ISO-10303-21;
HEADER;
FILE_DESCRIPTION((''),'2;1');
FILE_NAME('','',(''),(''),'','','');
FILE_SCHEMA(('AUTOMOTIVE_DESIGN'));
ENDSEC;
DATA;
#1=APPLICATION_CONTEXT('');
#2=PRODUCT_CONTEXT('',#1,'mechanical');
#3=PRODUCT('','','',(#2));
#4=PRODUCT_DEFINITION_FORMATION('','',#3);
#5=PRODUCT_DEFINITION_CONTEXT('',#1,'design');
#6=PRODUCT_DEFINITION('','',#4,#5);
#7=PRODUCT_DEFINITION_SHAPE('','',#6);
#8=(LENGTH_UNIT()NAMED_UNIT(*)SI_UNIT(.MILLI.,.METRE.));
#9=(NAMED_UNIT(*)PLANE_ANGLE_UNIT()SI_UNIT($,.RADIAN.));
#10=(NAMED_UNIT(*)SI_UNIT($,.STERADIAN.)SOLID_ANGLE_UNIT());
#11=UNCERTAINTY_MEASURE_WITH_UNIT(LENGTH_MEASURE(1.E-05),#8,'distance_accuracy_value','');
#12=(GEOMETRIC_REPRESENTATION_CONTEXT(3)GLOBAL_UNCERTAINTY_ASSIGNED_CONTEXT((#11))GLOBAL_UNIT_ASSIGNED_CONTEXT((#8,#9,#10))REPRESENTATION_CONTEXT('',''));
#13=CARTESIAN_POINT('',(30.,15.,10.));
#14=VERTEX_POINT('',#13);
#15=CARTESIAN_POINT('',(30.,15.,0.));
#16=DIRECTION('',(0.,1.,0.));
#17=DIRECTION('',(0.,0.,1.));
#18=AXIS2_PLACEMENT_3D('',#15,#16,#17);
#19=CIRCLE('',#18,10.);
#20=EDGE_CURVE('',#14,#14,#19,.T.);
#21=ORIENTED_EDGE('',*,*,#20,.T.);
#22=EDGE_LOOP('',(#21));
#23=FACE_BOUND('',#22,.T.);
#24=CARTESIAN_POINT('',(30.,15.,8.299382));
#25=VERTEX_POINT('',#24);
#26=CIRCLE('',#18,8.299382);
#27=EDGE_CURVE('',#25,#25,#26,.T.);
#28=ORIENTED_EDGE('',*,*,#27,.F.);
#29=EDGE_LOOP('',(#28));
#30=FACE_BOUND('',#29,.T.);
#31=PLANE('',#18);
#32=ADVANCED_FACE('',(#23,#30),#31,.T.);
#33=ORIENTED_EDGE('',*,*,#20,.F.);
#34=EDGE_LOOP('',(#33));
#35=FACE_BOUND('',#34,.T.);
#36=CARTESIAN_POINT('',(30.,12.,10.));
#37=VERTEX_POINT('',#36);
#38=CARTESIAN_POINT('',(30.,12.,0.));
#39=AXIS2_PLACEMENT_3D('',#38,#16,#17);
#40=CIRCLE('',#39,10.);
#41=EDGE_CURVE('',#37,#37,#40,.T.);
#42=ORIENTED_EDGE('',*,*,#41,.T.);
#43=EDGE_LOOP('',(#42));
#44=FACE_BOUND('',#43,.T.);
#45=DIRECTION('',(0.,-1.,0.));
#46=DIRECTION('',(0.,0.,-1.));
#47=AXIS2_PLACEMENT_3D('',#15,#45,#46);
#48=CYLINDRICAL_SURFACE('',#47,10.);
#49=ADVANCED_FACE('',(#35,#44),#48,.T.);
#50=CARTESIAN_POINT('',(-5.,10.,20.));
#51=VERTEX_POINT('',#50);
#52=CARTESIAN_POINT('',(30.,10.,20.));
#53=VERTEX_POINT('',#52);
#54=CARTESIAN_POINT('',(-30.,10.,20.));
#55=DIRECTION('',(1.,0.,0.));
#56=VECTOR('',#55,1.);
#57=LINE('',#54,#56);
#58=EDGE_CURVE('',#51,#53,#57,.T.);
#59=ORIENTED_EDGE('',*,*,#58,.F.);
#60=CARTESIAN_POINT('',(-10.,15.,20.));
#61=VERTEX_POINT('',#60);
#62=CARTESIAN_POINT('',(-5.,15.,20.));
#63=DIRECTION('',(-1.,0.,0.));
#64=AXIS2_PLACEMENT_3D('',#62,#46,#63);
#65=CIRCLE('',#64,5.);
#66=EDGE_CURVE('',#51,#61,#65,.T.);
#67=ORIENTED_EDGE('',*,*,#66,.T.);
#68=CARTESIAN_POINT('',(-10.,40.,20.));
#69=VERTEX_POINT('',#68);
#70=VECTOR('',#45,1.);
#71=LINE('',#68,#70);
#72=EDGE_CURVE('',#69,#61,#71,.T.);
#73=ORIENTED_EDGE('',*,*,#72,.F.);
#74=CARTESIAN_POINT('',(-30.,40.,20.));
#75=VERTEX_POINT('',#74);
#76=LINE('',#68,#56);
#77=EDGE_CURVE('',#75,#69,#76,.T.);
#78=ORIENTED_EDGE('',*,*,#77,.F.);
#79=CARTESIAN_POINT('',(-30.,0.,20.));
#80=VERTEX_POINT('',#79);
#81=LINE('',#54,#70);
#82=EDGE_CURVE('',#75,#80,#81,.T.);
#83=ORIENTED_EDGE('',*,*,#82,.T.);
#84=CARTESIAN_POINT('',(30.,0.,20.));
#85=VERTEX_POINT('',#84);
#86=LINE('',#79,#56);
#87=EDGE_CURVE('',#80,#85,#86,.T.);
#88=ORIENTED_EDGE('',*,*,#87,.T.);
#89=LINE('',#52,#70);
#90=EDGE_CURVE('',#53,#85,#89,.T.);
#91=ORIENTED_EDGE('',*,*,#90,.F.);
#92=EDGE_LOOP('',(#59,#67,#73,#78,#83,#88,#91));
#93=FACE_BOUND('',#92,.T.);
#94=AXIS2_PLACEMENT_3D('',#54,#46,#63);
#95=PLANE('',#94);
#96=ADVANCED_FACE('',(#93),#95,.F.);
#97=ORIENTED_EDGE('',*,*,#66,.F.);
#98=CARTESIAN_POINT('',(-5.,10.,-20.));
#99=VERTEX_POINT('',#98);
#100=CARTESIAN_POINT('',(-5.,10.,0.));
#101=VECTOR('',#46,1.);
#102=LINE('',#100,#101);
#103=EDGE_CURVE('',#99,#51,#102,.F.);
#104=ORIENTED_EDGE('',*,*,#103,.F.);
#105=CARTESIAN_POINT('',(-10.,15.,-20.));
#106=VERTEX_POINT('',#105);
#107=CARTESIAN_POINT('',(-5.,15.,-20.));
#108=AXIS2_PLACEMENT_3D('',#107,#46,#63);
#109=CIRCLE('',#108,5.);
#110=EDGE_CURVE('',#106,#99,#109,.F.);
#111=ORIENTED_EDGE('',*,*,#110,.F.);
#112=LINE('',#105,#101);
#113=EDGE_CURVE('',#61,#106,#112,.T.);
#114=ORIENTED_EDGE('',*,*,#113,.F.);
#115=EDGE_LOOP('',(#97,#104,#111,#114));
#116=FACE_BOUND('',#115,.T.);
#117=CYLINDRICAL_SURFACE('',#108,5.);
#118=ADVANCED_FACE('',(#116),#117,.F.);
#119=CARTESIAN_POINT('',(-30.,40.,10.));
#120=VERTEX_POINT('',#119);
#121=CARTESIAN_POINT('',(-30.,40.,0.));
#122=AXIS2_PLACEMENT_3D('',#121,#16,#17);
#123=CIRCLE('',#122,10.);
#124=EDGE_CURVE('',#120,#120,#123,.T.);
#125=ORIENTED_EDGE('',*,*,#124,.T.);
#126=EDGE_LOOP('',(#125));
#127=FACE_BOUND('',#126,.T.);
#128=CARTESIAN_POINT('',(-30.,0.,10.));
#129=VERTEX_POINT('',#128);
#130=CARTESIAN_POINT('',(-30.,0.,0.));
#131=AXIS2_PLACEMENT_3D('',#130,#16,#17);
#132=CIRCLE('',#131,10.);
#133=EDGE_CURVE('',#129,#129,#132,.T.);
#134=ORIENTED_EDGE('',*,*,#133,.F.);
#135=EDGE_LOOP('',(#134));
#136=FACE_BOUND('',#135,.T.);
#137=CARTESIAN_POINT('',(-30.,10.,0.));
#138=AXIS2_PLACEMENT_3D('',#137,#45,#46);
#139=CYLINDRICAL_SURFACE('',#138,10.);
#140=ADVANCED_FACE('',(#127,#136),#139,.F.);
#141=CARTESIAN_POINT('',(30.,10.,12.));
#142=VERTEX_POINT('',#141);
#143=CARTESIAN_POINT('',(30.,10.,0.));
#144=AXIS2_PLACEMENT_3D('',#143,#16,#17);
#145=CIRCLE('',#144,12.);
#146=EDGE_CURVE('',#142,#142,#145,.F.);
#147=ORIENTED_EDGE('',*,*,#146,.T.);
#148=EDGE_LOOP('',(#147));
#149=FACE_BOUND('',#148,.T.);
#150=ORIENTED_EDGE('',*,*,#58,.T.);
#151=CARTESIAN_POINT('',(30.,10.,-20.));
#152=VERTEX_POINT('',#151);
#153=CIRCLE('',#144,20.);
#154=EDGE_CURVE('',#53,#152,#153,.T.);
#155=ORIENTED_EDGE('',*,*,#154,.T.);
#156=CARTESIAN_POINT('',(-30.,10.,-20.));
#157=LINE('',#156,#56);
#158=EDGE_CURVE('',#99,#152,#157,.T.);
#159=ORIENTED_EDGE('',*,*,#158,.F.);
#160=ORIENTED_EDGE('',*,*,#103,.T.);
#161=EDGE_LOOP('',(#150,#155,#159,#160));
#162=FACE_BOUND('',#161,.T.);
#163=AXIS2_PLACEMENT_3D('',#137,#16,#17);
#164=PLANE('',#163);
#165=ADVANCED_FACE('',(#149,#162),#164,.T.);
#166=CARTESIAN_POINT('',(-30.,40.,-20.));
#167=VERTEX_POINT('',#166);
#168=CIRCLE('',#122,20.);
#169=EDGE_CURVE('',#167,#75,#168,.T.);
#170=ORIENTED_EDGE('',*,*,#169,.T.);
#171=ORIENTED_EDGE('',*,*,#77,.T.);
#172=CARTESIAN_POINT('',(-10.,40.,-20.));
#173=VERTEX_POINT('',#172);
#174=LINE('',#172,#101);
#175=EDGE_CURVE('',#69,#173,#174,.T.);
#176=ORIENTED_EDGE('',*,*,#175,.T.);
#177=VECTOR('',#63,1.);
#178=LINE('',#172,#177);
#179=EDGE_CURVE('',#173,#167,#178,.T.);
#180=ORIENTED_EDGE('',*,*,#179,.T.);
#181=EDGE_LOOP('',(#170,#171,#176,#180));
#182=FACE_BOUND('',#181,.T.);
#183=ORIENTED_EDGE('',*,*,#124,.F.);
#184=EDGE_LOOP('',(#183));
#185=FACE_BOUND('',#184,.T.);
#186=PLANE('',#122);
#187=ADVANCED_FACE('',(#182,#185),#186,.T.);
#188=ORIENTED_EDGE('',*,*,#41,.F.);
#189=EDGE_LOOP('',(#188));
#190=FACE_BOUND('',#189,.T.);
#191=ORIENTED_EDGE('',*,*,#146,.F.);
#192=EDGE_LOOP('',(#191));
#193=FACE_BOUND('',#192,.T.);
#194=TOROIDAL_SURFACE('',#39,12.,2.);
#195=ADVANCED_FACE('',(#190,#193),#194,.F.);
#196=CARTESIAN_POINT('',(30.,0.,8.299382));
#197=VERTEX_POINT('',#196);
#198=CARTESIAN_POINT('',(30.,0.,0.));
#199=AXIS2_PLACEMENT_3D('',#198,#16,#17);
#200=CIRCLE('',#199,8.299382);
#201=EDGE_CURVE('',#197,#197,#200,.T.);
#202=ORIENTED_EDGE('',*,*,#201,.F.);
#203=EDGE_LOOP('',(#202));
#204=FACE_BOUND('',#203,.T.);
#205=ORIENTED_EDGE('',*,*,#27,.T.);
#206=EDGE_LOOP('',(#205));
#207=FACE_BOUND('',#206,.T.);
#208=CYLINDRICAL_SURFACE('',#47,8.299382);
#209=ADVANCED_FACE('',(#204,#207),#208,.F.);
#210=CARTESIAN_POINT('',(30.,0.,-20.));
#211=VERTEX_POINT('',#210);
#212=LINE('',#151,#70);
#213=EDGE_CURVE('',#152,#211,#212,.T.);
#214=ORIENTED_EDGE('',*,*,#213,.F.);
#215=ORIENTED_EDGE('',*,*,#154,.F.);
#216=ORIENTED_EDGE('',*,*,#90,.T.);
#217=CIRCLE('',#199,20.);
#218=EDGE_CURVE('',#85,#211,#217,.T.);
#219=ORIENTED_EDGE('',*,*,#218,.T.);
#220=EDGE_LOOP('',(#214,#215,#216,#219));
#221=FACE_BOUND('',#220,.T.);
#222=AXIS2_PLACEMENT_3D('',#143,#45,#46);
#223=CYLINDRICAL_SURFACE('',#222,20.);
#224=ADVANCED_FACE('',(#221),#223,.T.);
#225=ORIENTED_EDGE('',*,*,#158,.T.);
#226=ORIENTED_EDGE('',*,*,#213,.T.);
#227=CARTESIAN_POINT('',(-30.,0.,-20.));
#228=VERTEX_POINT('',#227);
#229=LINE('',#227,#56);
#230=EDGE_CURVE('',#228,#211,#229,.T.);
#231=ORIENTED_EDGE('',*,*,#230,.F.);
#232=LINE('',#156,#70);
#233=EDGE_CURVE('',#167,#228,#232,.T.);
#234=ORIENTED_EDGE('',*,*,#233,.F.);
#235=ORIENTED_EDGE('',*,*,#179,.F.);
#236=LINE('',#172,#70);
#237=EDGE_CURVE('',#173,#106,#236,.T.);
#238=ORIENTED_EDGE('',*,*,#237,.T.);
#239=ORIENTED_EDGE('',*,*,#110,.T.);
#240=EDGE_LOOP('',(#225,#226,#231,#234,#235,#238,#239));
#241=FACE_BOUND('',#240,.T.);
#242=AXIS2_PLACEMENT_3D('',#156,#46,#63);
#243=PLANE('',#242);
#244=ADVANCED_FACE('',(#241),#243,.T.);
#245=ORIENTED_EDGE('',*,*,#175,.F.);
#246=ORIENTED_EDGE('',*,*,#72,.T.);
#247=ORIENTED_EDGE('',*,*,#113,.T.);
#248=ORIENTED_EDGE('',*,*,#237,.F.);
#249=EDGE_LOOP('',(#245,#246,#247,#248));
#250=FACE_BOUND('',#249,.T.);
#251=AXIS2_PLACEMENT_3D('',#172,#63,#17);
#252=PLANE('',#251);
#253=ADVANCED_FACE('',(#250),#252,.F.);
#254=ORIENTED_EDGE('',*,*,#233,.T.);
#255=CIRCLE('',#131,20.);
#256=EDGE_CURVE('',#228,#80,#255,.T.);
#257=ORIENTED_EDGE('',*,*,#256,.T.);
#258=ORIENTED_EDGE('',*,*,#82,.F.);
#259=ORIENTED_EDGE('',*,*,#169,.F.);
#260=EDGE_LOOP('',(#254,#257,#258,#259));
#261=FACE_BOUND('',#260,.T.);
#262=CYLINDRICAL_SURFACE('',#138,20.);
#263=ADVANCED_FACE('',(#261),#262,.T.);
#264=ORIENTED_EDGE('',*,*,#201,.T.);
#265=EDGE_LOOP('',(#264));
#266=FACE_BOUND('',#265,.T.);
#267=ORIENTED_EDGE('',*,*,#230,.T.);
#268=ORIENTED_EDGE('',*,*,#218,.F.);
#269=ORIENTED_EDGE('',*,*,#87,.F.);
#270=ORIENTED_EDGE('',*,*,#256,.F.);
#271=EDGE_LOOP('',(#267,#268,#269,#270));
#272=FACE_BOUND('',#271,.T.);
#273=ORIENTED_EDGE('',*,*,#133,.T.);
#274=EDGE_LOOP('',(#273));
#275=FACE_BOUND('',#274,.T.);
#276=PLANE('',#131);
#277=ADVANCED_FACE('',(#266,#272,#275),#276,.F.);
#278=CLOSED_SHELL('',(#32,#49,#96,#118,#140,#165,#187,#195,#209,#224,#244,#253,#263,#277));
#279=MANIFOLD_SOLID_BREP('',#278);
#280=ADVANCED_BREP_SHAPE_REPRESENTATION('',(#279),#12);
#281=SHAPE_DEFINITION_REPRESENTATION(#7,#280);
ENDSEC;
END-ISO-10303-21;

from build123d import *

# Parameters (mm, degrees)
SKETCH1_R           = 10
BOSS_EXTRUDE1_DEPTH = 10
SKETCH2_R           = 10
BOSS_EXTRUDE2_DEPTH = 30
SKETCH1_3_R         = 10
SKETCH1_3_R_2       = 8.299382461
BOSS_EXTRUDE3_DEPTH = 15
FILLET1_R           = 2
FILLET2_R           = 5


with BuildPart() as part:
    # Sketch1 → Boss-Extrude1 (new body)
    with BuildSketch(Plane(origin=(0, 0, 0), x_dir=(1, 0, 0), z_dir=(0, 1, 0))):
        with BuildLine():
            Line((-30, 20), (30, 20))
            ThreePointArc((30, 20), (50, 0), (30, -20))
            Line((30, -20), (-30, -20))
            ThreePointArc((-30, -20), (-50, 0), (-30, 20))
        make_face()
        with Locations((-30, 0)):
            Circle(SKETCH1_R, mode=Mode.SUBTRACT)
        with Locations((30, 0)):
            Circle(SKETCH1_R, mode=Mode.SUBTRACT)
    extrude(amount=BOSS_EXTRUDE1_DEPTH)

    # Sketch2 → Boss-Extrude2 (add)
    with BuildSketch(Plane(origin=(0, 10, 0), x_dir=(1, 0, 0), z_dir=(0, 1, 0))):
        with BuildLine():
            Line((-10, -20), (-30, -20))
            ThreePointArc((-30, -20), (-50, 0), (-30, 20))
            Line((-30, 20), (-10, 20))
            Line((-10, 20), (-10, -20))
        make_face()
        with Locations((-30, 0)):
            Circle(SKETCH2_R, mode=Mode.SUBTRACT)
    extrude(amount=BOSS_EXTRUDE2_DEPTH)

    # Sketch1<3> → Boss-Extrude3 (add)
    with BuildSketch(Plane(origin=(0, 0, 0), x_dir=(1, 0, 0), z_dir=(0, 1, 0))):
        with Locations((30, 0)):
            Circle(SKETCH1_3_R)
        with Locations((30, 0)):
            Circle(SKETCH1_3_R_2, mode=Mode.SUBTRACT)
    extrude(amount=BOSS_EXTRUDE3_DEPTH)

    # Fillet1
    fillet1_edges = [part.edges().sort_by_distance(p)[0] for p in [
        (20, 10, 0),
    ]]
    fillet(fillet1_edges, radius=FILLET1_R)

    # Fillet2
    fillet2_edges = [part.edges().sort_by_distance(p)[0] for p in [
        (-10, 10, 0),
    ]]
    fillet(fillet2_edges, radius=FILLET2_R)


solid = part.part
